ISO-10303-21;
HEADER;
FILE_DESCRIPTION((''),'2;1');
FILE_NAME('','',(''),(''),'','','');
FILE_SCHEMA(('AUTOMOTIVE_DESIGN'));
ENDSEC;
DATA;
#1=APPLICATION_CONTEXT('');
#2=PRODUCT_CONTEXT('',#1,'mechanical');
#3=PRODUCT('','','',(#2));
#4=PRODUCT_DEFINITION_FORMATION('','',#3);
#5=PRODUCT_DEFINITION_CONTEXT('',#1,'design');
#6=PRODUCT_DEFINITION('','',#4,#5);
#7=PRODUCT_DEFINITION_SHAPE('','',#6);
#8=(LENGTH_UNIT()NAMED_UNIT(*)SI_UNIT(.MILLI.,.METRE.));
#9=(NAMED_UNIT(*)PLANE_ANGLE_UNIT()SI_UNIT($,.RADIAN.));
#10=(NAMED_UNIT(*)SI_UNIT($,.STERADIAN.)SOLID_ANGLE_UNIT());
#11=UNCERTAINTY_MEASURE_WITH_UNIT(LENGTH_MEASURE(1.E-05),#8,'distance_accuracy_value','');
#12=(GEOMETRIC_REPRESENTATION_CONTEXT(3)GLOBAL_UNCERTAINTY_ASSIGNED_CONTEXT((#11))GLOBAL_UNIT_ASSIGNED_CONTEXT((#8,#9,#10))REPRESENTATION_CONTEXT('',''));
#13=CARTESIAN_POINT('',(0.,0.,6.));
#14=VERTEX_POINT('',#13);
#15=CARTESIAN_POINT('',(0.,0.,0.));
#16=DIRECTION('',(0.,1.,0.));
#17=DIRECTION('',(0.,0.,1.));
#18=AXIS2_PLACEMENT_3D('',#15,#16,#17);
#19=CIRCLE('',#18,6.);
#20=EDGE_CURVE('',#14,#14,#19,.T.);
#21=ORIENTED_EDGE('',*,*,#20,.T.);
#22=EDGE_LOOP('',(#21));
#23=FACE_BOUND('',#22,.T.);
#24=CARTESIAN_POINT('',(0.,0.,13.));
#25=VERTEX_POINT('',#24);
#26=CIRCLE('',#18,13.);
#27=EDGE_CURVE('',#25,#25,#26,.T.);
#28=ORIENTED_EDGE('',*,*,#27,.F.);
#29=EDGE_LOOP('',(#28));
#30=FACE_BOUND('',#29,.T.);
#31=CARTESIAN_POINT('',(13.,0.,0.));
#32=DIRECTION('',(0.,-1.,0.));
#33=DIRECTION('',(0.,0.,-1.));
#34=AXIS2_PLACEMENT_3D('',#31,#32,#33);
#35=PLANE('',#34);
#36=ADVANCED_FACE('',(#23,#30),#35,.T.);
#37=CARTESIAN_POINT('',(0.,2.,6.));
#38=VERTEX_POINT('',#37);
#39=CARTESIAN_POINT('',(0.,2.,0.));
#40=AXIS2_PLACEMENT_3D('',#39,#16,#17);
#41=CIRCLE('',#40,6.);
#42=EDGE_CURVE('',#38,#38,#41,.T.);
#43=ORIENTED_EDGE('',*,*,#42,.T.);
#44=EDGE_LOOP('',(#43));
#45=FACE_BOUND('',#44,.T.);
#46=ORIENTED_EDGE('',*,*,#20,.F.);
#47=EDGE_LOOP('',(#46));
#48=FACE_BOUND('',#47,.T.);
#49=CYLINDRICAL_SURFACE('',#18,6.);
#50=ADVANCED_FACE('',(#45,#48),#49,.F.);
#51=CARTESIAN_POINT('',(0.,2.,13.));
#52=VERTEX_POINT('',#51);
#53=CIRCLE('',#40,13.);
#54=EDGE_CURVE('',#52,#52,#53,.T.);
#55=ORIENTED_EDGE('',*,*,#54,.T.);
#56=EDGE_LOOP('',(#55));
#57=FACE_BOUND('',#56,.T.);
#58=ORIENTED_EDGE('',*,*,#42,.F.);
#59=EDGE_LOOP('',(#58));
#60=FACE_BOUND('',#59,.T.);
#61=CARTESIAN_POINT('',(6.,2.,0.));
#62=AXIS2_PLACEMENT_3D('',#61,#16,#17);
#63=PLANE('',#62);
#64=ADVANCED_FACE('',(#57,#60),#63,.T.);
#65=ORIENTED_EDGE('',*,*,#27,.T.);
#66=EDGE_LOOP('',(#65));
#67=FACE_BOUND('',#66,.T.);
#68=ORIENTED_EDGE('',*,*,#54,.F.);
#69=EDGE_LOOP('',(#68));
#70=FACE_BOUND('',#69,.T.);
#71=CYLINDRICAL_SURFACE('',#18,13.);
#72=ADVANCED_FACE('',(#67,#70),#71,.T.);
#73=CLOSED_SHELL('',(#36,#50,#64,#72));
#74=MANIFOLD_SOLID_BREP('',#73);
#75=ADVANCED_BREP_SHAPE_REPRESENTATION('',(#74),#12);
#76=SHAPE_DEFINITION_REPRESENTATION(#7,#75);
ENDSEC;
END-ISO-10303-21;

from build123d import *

# Parameters (mm, degrees)
SKETCH1_W = 7
SKETCH1_H = 2


with BuildPart() as part:
    # Sketch1 → Revolve1 (revolve)
    with BuildSketch(Plane(origin=(0, 0, 0), x_dir=(-1, 0, 0), z_dir=(0, 0, -1))):
        with Locations((-9.5, 1)):
            Rectangle(SKETCH1_W, SKETCH1_H)
    revolve(axis=Axis((0, 0, 0), (0, 1, 0)))


solid = part.part
